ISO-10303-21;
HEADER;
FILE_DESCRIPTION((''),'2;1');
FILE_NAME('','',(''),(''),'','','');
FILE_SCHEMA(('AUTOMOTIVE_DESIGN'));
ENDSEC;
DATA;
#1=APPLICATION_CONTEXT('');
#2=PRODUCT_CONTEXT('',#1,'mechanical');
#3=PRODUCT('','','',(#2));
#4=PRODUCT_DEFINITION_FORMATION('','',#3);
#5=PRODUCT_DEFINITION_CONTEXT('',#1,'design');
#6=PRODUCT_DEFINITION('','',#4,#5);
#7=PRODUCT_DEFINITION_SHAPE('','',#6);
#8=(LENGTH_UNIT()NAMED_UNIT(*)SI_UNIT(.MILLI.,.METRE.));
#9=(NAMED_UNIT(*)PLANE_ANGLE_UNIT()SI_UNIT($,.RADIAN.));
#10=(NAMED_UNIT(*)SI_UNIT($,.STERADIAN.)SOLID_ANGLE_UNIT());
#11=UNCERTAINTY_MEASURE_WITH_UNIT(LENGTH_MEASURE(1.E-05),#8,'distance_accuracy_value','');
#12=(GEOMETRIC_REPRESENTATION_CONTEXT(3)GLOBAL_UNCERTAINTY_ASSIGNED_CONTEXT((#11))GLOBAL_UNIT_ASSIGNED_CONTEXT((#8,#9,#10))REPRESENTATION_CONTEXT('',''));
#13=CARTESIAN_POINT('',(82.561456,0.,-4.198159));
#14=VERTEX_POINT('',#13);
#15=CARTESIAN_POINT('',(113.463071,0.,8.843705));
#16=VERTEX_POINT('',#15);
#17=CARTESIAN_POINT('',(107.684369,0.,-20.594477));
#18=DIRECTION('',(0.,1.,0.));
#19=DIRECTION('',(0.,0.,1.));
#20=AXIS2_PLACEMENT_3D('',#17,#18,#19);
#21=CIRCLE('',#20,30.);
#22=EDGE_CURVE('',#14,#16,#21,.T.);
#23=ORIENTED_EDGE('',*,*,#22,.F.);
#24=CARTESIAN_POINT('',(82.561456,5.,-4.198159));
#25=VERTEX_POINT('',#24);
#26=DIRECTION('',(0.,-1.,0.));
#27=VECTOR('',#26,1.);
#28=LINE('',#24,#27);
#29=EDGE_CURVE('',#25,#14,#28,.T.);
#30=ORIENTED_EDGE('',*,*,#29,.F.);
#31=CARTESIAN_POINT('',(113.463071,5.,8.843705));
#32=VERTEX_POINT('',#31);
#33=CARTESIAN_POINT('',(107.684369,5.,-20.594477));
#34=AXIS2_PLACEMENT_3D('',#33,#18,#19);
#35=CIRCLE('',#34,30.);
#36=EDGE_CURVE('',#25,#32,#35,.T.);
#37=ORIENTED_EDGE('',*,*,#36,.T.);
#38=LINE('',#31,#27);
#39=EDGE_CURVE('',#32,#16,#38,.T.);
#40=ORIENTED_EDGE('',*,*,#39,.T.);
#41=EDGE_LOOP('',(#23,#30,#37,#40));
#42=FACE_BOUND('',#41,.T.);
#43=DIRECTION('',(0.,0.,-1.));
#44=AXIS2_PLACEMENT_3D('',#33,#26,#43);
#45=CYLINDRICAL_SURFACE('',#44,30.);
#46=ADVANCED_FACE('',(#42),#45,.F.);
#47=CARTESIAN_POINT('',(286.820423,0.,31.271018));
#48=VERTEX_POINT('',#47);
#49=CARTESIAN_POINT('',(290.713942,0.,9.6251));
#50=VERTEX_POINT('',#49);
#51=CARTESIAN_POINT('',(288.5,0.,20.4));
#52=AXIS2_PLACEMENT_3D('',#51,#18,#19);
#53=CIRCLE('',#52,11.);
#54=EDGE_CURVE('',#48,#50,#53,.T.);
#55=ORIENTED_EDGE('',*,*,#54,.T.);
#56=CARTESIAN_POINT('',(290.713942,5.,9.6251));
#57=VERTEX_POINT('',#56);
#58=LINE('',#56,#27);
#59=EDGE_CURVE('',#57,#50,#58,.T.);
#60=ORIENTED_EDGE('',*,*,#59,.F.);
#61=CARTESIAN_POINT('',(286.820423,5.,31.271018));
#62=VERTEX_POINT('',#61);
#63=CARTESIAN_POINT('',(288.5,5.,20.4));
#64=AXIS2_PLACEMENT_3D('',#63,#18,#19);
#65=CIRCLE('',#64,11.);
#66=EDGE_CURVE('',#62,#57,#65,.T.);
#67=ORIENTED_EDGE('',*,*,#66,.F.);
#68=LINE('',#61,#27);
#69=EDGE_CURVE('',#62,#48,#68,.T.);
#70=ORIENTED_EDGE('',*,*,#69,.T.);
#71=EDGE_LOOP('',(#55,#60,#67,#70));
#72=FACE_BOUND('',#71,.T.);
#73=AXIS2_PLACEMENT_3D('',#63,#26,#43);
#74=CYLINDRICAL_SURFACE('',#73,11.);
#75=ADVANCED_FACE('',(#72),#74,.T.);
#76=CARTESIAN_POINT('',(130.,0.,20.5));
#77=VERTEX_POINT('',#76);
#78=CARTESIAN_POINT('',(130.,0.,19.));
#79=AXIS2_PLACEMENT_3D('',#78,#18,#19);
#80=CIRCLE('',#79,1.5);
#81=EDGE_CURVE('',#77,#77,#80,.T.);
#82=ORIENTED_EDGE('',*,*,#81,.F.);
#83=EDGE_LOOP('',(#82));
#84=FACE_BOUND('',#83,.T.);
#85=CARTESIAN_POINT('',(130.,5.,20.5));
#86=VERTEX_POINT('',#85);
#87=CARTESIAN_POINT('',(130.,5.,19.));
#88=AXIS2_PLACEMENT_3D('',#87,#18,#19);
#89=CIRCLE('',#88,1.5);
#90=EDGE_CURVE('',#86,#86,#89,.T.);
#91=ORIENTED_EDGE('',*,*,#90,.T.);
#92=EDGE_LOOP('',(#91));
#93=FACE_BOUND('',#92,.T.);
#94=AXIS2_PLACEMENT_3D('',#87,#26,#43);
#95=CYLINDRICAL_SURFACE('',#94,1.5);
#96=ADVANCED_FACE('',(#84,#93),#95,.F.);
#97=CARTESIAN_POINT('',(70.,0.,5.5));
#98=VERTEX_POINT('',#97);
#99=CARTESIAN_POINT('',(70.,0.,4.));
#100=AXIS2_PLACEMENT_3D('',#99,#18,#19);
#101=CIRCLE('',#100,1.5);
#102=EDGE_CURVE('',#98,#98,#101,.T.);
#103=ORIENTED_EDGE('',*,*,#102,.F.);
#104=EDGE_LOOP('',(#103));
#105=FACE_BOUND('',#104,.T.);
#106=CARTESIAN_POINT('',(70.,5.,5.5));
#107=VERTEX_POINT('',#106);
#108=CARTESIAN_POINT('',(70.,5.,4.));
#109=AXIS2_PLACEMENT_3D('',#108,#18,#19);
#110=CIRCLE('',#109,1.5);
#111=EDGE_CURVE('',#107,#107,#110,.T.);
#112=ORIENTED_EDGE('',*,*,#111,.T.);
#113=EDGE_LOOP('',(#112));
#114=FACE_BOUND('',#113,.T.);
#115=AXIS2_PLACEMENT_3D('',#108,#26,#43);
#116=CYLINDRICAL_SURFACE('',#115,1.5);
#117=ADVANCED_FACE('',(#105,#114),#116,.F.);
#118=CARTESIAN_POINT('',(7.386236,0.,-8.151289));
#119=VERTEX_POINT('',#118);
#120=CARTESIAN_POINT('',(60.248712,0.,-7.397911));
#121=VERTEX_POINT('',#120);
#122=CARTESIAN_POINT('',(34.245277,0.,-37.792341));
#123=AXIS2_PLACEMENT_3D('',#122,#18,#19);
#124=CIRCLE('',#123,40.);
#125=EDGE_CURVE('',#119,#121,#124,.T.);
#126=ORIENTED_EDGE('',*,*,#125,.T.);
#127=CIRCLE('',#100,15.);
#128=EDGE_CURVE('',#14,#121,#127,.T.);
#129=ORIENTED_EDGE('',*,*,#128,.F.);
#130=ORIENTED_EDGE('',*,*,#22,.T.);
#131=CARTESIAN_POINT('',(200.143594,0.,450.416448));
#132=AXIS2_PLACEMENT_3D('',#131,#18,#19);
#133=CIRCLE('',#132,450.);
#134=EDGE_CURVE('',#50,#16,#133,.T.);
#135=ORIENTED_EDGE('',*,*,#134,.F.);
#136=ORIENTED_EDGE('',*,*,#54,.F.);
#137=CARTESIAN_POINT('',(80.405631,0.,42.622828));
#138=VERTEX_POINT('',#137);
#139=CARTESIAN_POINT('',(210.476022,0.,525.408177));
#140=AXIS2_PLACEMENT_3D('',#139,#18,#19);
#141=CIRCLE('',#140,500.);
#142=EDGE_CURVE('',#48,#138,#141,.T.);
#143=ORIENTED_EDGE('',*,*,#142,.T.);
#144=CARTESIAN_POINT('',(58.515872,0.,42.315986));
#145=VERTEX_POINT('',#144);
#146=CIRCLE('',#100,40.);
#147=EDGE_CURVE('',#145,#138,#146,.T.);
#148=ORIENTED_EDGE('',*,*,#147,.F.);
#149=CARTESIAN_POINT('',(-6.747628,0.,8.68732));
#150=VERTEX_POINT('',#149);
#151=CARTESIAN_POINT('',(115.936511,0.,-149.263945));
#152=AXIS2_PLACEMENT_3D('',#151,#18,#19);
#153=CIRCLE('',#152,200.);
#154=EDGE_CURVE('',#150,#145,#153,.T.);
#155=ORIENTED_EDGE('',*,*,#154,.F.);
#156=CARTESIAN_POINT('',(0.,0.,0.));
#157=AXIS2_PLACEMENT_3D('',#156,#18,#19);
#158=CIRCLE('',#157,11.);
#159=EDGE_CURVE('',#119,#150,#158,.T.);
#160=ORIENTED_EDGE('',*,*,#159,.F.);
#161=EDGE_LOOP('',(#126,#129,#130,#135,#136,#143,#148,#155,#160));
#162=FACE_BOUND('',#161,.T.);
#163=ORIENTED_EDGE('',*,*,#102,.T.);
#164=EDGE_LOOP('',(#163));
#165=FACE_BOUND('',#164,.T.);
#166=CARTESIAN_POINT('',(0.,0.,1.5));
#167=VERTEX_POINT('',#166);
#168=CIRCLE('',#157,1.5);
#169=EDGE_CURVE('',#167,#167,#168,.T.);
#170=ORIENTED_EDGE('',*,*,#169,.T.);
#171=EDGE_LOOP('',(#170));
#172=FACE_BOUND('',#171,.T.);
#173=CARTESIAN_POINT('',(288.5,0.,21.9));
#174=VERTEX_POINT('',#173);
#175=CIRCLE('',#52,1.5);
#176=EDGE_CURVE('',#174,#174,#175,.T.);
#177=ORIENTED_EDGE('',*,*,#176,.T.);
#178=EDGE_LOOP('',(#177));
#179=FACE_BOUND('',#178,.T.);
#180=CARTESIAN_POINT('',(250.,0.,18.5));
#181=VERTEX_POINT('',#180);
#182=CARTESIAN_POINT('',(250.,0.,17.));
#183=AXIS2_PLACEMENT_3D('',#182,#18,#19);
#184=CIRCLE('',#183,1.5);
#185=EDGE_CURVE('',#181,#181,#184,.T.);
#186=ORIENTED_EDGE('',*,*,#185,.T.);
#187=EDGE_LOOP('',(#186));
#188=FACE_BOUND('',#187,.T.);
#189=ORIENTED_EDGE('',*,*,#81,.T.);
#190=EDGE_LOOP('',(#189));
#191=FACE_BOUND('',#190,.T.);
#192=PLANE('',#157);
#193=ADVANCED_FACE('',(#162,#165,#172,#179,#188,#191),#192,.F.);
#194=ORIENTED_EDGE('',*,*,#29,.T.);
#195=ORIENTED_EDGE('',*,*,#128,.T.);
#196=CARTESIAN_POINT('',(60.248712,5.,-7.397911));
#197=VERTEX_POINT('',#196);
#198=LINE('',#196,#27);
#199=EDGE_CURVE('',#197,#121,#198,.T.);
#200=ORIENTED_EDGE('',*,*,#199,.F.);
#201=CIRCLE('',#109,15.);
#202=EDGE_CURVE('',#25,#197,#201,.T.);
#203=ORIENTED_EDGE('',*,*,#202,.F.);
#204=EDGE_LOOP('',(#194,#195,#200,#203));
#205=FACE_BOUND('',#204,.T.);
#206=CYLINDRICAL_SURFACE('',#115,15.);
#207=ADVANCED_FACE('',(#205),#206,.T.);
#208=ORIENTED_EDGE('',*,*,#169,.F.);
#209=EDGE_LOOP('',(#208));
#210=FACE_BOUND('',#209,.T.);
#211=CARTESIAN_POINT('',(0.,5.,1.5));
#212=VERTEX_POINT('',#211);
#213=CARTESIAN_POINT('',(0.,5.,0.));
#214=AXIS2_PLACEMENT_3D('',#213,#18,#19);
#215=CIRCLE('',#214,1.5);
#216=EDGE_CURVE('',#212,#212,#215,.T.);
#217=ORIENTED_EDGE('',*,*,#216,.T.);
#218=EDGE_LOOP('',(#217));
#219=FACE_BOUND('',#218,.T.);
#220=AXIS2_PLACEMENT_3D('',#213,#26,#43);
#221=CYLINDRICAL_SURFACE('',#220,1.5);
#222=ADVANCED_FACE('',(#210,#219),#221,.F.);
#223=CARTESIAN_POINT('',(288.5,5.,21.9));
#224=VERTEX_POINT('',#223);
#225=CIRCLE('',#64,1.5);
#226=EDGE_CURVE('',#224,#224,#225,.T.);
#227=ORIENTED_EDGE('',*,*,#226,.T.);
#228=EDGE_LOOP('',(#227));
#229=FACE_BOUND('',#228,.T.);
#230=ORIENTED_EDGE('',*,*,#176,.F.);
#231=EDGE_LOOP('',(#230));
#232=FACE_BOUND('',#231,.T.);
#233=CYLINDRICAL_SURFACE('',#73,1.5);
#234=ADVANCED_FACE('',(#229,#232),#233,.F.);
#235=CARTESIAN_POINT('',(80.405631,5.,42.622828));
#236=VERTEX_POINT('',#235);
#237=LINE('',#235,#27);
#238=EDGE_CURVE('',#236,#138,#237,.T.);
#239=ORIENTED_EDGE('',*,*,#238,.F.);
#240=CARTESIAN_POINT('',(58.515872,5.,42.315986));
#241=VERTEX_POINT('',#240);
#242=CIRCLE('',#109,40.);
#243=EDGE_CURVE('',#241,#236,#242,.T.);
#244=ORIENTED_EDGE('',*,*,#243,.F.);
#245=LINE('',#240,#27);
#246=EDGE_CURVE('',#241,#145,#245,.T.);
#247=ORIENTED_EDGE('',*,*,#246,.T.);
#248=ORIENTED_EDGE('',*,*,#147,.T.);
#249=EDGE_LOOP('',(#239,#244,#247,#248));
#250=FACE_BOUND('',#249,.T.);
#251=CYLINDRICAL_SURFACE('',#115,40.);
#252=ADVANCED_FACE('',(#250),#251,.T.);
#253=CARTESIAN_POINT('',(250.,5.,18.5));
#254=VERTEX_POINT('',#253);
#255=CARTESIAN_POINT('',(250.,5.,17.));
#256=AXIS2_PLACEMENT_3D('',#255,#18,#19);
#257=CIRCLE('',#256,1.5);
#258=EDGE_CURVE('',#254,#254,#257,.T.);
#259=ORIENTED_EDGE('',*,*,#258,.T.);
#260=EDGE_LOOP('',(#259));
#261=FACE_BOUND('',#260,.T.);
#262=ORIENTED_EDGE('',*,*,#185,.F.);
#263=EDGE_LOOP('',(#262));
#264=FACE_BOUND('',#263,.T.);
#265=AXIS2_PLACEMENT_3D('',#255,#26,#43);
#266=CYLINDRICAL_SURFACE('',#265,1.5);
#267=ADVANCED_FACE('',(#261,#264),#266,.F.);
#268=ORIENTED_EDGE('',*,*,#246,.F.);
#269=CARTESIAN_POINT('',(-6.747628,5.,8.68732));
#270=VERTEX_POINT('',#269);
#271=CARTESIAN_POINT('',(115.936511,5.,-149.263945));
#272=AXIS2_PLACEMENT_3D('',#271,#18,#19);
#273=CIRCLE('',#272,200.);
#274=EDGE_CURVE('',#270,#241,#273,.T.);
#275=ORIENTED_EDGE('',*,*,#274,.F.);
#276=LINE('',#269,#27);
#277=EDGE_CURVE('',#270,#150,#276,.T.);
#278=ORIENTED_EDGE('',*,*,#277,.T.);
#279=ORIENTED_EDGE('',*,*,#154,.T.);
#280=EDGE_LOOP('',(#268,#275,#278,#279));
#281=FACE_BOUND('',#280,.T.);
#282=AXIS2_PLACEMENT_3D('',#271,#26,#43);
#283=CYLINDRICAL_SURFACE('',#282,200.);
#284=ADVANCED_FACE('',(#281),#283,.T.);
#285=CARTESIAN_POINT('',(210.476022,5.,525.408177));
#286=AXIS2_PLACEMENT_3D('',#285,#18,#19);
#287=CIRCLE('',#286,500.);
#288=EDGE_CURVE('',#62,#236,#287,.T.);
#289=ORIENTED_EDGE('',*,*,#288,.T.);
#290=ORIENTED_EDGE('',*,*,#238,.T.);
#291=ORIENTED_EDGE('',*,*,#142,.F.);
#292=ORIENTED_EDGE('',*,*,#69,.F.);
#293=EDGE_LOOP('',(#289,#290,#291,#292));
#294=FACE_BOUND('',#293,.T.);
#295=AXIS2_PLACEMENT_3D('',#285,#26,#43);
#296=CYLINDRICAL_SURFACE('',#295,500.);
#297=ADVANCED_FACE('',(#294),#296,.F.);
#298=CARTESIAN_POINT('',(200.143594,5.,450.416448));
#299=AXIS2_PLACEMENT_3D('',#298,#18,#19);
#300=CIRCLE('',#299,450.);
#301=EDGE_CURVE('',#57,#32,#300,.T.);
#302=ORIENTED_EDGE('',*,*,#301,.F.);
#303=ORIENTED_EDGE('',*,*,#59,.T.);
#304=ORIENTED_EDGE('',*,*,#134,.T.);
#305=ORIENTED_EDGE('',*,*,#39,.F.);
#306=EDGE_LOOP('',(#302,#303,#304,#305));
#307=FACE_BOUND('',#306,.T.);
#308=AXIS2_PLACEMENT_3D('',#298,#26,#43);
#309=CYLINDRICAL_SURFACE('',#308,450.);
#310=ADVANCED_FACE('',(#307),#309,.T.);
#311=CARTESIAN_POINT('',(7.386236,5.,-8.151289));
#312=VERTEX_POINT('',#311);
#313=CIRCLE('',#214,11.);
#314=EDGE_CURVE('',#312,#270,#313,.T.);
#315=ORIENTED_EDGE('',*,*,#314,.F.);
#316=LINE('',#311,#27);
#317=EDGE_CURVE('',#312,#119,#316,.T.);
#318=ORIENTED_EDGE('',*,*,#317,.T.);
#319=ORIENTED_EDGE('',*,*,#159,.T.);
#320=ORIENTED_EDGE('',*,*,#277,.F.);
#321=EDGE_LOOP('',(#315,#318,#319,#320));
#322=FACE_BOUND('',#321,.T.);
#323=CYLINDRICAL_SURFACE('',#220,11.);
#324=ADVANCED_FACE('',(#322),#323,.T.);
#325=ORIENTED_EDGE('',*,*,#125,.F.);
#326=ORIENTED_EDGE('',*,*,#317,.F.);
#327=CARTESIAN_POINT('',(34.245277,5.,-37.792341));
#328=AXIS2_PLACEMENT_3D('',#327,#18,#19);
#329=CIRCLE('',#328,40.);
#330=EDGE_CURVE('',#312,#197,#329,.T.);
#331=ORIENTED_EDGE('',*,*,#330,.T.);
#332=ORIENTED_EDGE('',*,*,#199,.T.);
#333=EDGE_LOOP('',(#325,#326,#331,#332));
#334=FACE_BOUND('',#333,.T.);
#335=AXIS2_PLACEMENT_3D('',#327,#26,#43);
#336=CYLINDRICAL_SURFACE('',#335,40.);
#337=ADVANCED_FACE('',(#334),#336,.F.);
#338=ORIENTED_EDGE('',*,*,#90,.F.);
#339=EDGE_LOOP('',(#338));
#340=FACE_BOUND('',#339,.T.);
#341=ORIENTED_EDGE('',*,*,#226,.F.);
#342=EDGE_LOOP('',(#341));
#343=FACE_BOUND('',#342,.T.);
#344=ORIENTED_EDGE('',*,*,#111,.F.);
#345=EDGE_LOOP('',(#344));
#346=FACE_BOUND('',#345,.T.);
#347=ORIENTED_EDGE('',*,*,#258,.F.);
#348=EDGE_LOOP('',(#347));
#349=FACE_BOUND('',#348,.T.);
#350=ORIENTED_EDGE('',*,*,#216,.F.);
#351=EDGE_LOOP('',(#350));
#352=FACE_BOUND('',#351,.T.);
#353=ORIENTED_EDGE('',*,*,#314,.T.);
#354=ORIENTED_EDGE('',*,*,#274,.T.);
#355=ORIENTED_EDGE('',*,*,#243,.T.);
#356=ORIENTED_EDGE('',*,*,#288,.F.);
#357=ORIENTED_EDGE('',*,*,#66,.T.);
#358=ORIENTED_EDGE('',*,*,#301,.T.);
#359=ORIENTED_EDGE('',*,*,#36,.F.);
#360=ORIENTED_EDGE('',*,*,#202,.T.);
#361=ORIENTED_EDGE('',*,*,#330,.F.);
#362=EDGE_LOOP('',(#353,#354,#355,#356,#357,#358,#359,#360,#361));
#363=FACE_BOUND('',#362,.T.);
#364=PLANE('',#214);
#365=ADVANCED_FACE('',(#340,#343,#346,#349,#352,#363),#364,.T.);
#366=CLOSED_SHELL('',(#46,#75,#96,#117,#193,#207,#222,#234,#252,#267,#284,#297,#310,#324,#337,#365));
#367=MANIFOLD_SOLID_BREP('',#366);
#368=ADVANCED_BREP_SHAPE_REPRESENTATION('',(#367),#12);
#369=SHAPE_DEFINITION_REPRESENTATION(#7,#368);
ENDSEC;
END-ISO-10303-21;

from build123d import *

# Parameters (mm, degrees)
SKETCH1_R           = 1.5
BOSS_EXTRUDE1_DEPTH = 5


with BuildPart() as part:
    # Sketch1 → Boss-Extrude1 (new body)
    with BuildSketch(Plane(origin=(0, 0, 0), x_dir=(1, 0, 0), z_dir=(0, 1, 0))):
        with BuildLine():
            ThreePointArc((30.05067828, -1.98711795), (17.911907525, 1.279041193), (7.386236134, 8.151289209))
            ThreePointArc((7.386236134, 8.151289209), (-8.425357061, 7.07201233), (-6.747627634, -8.68731957))
            ThreePointArc((-6.747627634, -8.68731957), (24.327807705, -28.522008688), (58.515872209, -42.315986336))
            ThreePointArc((58.515872209, -42.315986336), (69.43935161, -43.996070724), (80.405631289, -42.622827932))
            ThreePointArc((80.405631289, -42.622827932), (183.01994094, -26.16258262), (286.820423183, -31.271017511))
            ThreePointArc((286.820423183, -31.271017511), (299.326255976, -22.347352445), (290.71394184, -9.625100394))
            ThreePointArc((290.71394184, -9.625100394), (202.127360194, -0.420820539), (113.463070734, -8.843705436))
            ThreePointArc((113.463070734, -8.843705436), (96.019370903, -7.044766711), (82.561456398, 4.198159132))
            ThreePointArc((82.561456398, 4.198159132), (72.12928734, 10.848102082), (60.248711806, 7.397911149))
            ThreePointArc((60.248711806, 7.397911149), (46.116503766, -0.405485841), (30.05067828, -1.98711795))
        make_face()
        with Locations((130, -19)):
            Circle(SKETCH1_R, mode=Mode.SUBTRACT)
        with Locations((250, -17)):
            Circle(SKETCH1_R, mode=Mode.SUBTRACT)
        with Locations((288.5, -20.4)):
            Circle(SKETCH1_R, mode=Mode.SUBTRACT)
        with Locations((70, -4)):
            Circle(SKETCH1_R, mode=Mode.SUBTRACT)
        Circle(SKETCH1_R, mode=Mode.SUBTRACT)
    extrude(amount=BOSS_EXTRUDE1_DEPTH)


solid = part.part
